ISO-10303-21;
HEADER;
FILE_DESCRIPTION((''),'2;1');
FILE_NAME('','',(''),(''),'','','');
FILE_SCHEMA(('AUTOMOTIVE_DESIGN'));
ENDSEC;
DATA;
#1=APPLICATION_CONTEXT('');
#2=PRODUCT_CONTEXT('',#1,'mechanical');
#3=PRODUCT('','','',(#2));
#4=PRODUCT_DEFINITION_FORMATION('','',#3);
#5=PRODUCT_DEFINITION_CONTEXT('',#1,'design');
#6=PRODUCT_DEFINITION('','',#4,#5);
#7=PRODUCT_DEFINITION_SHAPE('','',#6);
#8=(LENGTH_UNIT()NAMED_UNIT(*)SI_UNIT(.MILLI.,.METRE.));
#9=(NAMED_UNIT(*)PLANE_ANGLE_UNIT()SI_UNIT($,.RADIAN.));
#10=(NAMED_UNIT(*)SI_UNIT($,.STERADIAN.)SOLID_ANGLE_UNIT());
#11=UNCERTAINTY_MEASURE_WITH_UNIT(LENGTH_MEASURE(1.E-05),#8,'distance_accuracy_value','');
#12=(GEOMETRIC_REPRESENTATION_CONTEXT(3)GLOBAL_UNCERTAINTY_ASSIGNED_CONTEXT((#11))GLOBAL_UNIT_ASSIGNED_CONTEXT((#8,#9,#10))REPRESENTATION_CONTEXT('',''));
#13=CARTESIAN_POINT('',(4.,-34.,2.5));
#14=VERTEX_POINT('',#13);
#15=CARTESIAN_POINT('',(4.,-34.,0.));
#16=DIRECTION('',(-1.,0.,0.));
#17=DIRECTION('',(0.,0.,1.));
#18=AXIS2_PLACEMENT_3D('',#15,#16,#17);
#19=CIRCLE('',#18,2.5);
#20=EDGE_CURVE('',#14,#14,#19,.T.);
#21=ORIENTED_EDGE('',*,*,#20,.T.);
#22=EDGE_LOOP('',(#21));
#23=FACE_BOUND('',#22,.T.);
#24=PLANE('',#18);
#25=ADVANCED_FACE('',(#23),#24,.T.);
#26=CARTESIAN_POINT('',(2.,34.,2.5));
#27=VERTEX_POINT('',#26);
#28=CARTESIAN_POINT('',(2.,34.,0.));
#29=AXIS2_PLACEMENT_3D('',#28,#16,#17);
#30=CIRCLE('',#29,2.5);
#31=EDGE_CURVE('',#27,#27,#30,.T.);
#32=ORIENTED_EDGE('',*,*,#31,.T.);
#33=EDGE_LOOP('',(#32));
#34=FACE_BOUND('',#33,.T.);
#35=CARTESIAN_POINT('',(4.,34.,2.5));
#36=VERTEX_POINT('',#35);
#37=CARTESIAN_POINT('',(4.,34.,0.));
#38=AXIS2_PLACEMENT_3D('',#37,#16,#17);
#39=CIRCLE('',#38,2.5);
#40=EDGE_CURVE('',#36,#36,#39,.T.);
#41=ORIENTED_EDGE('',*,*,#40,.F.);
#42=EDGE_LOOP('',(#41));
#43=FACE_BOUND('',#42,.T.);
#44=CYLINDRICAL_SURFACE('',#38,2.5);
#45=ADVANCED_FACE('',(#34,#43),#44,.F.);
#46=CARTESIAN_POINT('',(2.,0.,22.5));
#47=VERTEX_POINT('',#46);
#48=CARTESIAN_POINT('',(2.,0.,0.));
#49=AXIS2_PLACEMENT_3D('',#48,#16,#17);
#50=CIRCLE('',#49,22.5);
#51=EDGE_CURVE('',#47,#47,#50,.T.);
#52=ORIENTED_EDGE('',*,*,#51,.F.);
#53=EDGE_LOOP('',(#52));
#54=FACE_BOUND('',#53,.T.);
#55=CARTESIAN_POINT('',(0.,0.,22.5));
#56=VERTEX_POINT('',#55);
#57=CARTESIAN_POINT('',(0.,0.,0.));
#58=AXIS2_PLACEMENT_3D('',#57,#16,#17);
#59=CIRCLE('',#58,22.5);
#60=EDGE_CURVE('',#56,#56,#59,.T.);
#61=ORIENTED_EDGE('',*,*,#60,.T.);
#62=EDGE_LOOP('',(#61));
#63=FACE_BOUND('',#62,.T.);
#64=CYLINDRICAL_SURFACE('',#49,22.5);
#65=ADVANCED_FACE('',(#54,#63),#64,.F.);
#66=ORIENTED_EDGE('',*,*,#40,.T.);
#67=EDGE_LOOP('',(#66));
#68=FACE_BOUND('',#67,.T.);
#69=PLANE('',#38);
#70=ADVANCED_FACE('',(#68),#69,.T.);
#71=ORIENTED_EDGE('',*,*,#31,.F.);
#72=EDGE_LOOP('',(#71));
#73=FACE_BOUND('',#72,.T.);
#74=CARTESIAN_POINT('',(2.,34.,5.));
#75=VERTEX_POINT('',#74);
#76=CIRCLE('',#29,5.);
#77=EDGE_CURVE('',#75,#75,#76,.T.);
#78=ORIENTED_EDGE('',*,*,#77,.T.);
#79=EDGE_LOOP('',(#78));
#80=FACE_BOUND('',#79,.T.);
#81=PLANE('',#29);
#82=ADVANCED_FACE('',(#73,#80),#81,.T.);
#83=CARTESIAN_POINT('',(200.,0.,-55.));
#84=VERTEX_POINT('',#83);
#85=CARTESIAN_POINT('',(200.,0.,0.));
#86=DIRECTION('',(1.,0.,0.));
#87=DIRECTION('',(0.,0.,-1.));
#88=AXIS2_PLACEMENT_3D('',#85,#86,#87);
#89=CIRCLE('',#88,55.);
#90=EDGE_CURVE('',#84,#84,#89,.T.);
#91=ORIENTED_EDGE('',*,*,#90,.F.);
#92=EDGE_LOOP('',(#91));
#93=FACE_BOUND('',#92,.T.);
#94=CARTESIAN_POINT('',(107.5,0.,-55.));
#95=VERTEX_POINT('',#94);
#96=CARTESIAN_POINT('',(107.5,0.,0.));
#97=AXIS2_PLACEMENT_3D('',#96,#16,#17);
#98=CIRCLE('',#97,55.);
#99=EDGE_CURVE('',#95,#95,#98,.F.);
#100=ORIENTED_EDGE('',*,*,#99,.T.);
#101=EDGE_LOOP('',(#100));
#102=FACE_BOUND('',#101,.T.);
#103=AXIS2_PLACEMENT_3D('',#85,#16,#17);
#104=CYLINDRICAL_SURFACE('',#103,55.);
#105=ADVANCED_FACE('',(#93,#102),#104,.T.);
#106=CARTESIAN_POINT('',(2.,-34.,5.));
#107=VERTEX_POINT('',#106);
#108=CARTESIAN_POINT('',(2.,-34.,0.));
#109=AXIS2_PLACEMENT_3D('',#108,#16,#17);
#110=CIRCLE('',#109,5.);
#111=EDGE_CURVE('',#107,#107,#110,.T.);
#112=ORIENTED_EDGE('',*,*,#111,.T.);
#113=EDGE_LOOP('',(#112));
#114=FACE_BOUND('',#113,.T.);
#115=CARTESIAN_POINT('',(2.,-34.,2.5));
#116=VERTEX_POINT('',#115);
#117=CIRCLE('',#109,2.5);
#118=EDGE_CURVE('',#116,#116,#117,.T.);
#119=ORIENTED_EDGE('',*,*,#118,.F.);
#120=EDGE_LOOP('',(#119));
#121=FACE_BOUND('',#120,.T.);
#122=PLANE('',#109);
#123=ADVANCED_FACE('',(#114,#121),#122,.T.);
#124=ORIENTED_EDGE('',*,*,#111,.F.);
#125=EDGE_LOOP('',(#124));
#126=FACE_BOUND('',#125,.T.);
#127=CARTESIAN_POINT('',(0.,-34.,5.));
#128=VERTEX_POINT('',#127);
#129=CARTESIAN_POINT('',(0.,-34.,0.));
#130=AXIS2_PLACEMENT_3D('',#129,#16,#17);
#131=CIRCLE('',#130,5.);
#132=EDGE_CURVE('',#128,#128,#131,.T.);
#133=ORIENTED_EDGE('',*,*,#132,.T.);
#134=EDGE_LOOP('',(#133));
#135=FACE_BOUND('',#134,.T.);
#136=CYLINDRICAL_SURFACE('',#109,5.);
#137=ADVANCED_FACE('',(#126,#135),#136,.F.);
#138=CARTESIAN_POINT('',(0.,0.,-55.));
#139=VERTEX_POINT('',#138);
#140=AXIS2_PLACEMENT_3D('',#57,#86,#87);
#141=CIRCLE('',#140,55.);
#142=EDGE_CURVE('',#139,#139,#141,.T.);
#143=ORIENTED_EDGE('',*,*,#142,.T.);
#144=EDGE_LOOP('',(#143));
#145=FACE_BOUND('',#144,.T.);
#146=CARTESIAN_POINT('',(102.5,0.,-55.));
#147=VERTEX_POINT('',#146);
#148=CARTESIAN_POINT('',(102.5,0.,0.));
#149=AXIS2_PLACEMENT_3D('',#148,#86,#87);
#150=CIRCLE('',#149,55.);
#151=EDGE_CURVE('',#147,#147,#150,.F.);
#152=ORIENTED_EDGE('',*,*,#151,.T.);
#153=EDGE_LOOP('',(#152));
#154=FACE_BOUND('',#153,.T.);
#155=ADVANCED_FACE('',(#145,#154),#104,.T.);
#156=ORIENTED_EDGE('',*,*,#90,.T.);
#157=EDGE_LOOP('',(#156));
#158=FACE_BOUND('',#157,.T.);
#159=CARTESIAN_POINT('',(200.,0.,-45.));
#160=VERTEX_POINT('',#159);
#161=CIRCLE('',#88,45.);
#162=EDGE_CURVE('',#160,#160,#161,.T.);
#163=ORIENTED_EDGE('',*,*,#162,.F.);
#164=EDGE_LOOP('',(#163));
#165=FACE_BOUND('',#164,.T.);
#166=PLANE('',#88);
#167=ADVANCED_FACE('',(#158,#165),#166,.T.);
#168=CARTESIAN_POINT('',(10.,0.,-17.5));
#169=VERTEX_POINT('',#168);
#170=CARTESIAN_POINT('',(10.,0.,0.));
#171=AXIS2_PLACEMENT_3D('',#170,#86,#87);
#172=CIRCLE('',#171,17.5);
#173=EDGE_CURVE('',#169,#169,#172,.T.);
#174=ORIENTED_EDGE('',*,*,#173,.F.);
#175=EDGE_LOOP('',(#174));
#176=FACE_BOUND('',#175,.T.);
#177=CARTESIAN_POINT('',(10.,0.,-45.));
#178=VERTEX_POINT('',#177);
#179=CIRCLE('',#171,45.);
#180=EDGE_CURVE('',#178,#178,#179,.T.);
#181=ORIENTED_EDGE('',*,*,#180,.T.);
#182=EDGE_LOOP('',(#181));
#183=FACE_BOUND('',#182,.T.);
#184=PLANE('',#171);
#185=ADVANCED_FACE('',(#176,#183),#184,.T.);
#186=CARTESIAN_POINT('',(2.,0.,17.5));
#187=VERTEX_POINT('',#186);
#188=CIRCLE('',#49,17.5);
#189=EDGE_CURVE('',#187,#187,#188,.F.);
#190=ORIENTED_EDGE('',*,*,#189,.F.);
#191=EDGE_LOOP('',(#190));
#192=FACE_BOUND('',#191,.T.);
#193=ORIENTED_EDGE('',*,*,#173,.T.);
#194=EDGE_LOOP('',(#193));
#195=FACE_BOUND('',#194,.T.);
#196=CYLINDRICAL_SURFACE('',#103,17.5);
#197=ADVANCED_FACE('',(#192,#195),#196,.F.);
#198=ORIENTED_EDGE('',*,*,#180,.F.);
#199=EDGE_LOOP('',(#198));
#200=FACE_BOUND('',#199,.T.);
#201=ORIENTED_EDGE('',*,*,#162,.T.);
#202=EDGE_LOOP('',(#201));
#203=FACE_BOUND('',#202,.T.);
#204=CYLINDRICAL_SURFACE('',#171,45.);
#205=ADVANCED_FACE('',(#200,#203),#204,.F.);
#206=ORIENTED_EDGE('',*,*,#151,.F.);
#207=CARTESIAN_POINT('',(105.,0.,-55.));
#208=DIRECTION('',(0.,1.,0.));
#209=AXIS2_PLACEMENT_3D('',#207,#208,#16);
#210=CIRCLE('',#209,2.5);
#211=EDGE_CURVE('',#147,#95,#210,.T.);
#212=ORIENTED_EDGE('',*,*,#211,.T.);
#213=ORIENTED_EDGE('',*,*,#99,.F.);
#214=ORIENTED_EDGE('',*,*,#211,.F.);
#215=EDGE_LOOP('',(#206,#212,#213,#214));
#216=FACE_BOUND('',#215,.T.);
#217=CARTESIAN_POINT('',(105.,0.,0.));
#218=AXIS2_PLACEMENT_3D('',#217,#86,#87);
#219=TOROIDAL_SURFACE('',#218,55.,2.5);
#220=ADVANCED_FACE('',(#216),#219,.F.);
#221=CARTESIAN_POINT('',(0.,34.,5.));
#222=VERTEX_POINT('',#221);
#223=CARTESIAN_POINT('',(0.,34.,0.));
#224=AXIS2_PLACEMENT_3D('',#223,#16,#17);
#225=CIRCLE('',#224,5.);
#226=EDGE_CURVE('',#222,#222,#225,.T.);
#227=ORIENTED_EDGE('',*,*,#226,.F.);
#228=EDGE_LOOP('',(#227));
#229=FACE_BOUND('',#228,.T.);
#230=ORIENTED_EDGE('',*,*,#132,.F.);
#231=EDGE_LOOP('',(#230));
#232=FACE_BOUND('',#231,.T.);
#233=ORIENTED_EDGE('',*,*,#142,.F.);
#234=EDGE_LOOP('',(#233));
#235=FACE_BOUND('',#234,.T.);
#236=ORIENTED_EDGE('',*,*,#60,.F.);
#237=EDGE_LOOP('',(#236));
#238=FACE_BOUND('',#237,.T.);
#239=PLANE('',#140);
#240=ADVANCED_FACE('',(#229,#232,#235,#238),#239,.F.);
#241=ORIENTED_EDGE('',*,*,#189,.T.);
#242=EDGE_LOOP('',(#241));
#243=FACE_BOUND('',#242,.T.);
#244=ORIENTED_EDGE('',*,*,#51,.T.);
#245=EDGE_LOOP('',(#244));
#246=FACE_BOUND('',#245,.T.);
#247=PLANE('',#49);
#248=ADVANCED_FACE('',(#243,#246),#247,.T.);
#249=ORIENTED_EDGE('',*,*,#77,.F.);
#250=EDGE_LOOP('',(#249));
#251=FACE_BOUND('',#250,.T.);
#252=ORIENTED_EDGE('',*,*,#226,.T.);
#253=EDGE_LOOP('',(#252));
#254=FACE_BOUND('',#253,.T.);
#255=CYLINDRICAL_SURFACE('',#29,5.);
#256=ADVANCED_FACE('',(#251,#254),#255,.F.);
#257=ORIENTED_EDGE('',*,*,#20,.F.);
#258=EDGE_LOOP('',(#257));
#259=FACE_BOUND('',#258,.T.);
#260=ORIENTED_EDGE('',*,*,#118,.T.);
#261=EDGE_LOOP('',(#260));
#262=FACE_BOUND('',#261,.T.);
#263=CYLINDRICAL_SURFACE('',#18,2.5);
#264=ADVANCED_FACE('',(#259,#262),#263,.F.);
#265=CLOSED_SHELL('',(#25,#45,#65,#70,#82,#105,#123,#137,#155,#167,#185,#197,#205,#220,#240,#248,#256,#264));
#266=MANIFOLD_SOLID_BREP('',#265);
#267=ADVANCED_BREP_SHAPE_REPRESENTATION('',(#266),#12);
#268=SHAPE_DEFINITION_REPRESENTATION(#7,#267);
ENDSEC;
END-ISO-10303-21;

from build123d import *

# Parameters (mm, degrees)
SKETCH1_R               = 55
BOSS_EXTRUDE1_DEPTH     = 200
SKETCH2_R               = 45
CUT_EXTRUDE1_DEPTH      = 190
SKETCH3_R               = 17.5
CUT_EXTRUDE2_DEPTH      = 1
CUT_EXTRUDE2_DEPTH_BACK = 201
SKETCH4_R               = 5
CUT_EXTRUDE3_DEPTH      = 2
SKETCH5_R               = 22.5
CUT_EXTRUDE4_DEPTH      = 2
CUT_SWEEP1_PROFILE_R    = 2.5
SKETCH58_R              = 2.5
CUT_EXTRUDE5_DEPTH      = 2


with BuildPart() as part:
    # Sketch1 → Boss-Extrude1 (new body)
    with BuildSketch(Plane(origin=(0, 0, 0), x_dir=(0, 0, -1), z_dir=(1, 0, 0))):
        Circle(SKETCH1_R)
    extrude(amount=BOSS_EXTRUDE1_DEPTH)

    # Sketch2 → Cut-Extrude1 (cut)
    with BuildSketch(Plane(origin=(200, 0, 0), x_dir=(0, 0, -1), z_dir=(1, 0, 0))):
        Circle(SKETCH2_R)
    extrude(amount=-CUT_EXTRUDE1_DEPTH, mode=Mode.SUBTRACT)

    # Sketch3 → Cut-Extrude2 (cut, two sides)
    with BuildSketch(Plane.ZY) as cut_extrude2_sk:
        Circle(SKETCH3_R)
    extrude(amount=CUT_EXTRUDE2_DEPTH, mode=Mode.SUBTRACT)
    extrude(cut_extrude2_sk.sketch, amount=-CUT_EXTRUDE2_DEPTH_BACK, mode=Mode.SUBTRACT)

    # Sketch4 → Cut-Extrude3 (cut)
    with BuildSketch(Plane.ZY):
        with Locations((0, 34)):
            Circle(SKETCH4_R)
        with Locations((0, -34)):
            Circle(SKETCH4_R)
    extrude(amount=-CUT_EXTRUDE3_DEPTH, mode=Mode.SUBTRACT)

    # Sketch5 → Cut-Extrude4 (cut)
    with BuildSketch(Plane.ZY):
        Circle(SKETCH5_R)
    extrude(amount=-CUT_EXTRUDE4_DEPTH, mode=Mode.SUBTRACT)

    # Cut-Sweep1: sweep along a path in Sketch57
    with BuildLine(Plane(origin=(105, 0, 0), x_dir=(0, 0, -1), z_dir=(1, 0, 0))) as cut_sweep1_path:
        CenterArc((0, 0), 55, 0, 360)
    # Cut-Sweep1 profile (on start of the path) → Cut-Sweep1 (sweep, cut)
    with BuildSketch(Plane(origin=(105, 0, -55), x_dir=(0, 0, 1), z_dir=(0, 1, 0))):
        Circle(CUT_SWEEP1_PROFILE_R)
    sweep(path=cut_sweep1_path.line, mode=Mode.SUBTRACT)

    # Sketch58 → Cut-Extrude5 (cut)
    with BuildSketch(Plane.ZY.offset(-2)):
        with Locations((0, 34)):
            Circle(SKETCH58_R)
        with Locations((0, -34)):
            Circle(SKETCH58_R)
    extrude(amount=-CUT_EXTRUDE5_DEPTH, mode=Mode.SUBTRACT)


solid = part.part
